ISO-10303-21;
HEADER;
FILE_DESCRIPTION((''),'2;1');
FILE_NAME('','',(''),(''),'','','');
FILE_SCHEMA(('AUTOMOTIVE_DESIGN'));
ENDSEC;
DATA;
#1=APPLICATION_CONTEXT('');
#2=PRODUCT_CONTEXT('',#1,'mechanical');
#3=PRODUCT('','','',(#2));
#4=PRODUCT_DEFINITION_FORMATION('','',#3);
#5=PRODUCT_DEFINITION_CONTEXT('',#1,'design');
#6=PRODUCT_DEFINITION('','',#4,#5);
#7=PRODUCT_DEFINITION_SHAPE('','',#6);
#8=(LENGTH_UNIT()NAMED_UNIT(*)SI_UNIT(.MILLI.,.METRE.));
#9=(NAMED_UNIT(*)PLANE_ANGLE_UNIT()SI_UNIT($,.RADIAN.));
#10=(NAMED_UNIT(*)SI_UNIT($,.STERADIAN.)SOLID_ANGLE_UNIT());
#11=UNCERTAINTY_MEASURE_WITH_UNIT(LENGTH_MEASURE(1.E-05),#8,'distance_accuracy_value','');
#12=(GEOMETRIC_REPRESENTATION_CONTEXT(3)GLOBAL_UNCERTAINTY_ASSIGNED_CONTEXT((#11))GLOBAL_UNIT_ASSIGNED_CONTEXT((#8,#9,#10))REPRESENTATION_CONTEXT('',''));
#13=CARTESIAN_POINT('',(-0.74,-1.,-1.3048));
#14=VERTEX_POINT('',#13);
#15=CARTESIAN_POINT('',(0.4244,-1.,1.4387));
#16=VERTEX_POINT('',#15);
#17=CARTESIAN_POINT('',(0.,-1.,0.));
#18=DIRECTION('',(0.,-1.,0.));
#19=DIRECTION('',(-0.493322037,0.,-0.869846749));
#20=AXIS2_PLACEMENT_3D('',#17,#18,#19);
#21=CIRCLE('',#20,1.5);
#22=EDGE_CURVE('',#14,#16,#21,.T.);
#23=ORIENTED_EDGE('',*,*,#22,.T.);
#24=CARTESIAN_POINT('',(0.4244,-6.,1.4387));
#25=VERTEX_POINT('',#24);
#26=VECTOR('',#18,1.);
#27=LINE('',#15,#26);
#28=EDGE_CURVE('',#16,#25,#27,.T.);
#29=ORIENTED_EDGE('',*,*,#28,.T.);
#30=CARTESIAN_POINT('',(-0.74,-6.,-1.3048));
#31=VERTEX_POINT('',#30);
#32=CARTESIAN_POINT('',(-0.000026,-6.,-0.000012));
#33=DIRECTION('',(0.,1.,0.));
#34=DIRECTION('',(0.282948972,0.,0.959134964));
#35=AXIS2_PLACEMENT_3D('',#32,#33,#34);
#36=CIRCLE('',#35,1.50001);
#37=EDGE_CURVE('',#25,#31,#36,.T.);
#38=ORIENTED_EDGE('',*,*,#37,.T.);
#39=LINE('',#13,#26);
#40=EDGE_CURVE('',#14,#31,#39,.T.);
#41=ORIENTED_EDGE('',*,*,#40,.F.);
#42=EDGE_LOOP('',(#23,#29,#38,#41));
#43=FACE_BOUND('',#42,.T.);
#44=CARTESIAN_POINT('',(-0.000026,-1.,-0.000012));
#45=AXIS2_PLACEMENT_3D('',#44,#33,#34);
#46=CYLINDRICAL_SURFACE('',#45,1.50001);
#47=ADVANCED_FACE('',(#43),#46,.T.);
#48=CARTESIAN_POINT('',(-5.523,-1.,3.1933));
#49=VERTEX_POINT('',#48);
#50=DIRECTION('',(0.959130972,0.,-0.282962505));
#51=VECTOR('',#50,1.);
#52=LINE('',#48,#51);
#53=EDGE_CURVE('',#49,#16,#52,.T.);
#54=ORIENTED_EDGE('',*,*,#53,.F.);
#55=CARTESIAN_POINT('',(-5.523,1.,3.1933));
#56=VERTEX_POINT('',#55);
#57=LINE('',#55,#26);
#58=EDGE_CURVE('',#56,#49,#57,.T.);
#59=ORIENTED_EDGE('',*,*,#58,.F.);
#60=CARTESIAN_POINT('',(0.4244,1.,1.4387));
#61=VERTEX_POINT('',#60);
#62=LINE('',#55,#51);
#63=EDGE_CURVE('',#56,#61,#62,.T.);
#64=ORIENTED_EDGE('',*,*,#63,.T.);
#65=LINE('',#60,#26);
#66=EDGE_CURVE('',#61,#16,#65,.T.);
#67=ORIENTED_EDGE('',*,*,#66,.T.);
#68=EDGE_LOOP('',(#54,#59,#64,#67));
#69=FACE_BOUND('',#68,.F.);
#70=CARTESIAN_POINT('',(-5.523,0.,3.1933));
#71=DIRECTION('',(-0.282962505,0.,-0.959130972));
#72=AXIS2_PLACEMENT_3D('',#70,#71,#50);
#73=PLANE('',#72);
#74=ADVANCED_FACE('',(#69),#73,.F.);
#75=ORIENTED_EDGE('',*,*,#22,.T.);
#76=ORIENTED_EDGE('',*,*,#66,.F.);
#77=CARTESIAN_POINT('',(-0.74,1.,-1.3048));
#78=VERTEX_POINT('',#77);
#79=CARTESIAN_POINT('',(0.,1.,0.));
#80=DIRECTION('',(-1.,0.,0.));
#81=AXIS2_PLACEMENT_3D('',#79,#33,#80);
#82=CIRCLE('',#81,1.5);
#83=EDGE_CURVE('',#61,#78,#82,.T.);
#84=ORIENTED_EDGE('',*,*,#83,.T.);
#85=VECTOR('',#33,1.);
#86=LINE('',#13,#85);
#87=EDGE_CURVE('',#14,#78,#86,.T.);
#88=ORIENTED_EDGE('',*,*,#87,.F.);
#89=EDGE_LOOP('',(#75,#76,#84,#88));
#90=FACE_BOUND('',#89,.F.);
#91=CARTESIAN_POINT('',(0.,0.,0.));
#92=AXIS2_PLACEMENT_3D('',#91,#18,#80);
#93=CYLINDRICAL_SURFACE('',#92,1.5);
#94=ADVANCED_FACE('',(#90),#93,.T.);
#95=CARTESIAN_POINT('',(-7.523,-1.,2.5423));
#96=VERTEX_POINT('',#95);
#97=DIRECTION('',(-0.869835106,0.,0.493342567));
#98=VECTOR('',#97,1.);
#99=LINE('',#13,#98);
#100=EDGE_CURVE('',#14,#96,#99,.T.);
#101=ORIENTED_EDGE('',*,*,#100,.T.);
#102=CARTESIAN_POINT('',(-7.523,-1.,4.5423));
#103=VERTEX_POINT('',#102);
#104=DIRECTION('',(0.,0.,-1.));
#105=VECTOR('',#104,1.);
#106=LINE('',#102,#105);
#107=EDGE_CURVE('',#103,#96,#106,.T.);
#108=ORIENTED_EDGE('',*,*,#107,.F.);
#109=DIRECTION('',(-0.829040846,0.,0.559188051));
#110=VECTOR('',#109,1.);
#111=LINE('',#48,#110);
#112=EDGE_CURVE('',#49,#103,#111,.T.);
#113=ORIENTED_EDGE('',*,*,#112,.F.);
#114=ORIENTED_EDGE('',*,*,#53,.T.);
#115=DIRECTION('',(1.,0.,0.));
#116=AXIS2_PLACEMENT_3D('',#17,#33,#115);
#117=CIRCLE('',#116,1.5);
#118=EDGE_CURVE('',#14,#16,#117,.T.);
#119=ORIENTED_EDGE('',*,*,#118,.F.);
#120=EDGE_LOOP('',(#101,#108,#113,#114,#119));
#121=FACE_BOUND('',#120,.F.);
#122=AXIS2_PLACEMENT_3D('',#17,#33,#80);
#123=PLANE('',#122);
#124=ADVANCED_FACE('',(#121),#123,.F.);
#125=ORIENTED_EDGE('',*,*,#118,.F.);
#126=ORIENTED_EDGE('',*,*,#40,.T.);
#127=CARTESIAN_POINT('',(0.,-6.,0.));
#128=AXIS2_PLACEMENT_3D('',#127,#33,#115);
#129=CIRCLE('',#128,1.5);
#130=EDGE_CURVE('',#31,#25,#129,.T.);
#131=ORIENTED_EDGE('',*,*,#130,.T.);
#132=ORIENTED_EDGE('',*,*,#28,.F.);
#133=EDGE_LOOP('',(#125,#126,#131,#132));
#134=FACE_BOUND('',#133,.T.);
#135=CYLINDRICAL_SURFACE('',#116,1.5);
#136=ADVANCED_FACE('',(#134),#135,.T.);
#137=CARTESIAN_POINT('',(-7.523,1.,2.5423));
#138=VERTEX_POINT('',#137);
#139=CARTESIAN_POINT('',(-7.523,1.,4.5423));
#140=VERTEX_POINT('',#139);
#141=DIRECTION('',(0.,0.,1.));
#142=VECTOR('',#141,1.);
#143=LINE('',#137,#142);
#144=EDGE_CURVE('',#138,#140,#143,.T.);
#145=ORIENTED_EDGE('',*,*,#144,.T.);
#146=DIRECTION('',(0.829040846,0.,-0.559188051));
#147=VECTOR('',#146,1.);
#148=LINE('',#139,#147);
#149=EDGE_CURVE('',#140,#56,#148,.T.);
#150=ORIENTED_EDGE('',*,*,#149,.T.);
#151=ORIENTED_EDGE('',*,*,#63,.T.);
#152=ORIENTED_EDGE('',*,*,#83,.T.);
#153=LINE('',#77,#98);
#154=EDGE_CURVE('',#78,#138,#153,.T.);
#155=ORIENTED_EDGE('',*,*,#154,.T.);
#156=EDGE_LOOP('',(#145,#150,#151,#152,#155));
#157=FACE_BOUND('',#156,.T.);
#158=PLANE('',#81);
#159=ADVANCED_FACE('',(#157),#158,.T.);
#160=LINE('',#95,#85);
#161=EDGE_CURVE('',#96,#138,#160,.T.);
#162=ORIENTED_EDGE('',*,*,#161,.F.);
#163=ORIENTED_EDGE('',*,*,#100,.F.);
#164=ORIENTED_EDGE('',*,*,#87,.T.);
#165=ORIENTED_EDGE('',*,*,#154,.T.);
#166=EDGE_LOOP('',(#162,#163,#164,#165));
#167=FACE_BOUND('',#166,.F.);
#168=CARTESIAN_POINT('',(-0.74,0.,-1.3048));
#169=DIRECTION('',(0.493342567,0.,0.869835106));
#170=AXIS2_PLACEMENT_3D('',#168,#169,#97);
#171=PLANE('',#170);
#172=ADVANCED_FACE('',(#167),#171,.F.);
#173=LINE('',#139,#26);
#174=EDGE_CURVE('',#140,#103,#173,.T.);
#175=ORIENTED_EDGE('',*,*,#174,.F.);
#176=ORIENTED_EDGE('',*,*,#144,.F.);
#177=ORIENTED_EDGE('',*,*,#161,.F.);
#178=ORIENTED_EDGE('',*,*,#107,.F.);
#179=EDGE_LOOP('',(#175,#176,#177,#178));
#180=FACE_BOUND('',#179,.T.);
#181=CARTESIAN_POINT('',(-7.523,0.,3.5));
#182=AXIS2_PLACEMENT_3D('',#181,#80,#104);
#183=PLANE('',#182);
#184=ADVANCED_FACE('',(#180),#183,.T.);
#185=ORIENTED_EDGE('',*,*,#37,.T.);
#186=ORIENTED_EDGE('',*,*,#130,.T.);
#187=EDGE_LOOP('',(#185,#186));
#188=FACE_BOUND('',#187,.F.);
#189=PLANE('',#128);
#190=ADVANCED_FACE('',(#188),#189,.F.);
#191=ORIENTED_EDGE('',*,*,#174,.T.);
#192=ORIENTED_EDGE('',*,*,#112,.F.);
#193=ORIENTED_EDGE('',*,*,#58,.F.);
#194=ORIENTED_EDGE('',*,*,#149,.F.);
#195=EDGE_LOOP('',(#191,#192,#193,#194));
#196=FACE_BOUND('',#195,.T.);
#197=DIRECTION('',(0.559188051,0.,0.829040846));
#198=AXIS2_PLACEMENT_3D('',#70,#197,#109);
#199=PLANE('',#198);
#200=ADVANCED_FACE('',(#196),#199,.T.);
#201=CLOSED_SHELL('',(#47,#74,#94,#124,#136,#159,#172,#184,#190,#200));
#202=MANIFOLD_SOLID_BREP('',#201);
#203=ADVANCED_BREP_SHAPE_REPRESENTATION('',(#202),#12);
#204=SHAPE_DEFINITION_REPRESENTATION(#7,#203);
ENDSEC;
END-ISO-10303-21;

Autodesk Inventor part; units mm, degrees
ref_plane "YZ Plane" through (0, 0, 0) normal (1, 0, 0) x (0, 1, 0)
ref_plane "XZ Plane" through (0, 0, 0) normal (0, 1, 0) x (-1, 0, 0)
ref_plane "XY Plane" through (0, 0, 0) normal (0, 0, 1) x (1, 0, 0)
sketch "Sketch1" plane through (0, 0, 0) normal (0, 1, 0) x (-1, 0, 0)
  circle A0 centre (0, 0) radius 1.5
  line L0 (0.74, -1.3048) -> (7.523, 2.5423)
  line L1 (5.523, 3.1933) -> (-0.4244, 1.4387)
  line L2 (5.523, 3.1933) -> (7.523, 4.5423)
  line L3 (7.523, 4.5423) -> (7.523, 2.5423)
  line L4 (7.523, 3.5) -> (7.523, 4.5) projected
  line L5 (7.4579, 4.5004) -> (6.1505, 3.6591) projected
  point P0 (7.523, 3.5423)
  dimension "d2" = 3
  dimension "d4" = 2
  dimension "d7" = 7.523
  dimension "d8" = 4.5423
  dimension "d9" = 56
  dimension "d10" = 2
extrude "Extrusion1" add sketch "Sketch1" along normal mid plane 2
sketch "Sketch2" plane through (0, -1, 0) normal (0, 1, 0) x (1, 0, 0)
  arc A0 (0.4244, -1.4387) -> (-0.74, 1.3048) centre (0, 0) ccw projected
  circle A1 centre (0, 0) radius 1.5
extrude "Extrusion2" add sketch "Sketch2" against normal blind 5
properties part number "Pawl"
